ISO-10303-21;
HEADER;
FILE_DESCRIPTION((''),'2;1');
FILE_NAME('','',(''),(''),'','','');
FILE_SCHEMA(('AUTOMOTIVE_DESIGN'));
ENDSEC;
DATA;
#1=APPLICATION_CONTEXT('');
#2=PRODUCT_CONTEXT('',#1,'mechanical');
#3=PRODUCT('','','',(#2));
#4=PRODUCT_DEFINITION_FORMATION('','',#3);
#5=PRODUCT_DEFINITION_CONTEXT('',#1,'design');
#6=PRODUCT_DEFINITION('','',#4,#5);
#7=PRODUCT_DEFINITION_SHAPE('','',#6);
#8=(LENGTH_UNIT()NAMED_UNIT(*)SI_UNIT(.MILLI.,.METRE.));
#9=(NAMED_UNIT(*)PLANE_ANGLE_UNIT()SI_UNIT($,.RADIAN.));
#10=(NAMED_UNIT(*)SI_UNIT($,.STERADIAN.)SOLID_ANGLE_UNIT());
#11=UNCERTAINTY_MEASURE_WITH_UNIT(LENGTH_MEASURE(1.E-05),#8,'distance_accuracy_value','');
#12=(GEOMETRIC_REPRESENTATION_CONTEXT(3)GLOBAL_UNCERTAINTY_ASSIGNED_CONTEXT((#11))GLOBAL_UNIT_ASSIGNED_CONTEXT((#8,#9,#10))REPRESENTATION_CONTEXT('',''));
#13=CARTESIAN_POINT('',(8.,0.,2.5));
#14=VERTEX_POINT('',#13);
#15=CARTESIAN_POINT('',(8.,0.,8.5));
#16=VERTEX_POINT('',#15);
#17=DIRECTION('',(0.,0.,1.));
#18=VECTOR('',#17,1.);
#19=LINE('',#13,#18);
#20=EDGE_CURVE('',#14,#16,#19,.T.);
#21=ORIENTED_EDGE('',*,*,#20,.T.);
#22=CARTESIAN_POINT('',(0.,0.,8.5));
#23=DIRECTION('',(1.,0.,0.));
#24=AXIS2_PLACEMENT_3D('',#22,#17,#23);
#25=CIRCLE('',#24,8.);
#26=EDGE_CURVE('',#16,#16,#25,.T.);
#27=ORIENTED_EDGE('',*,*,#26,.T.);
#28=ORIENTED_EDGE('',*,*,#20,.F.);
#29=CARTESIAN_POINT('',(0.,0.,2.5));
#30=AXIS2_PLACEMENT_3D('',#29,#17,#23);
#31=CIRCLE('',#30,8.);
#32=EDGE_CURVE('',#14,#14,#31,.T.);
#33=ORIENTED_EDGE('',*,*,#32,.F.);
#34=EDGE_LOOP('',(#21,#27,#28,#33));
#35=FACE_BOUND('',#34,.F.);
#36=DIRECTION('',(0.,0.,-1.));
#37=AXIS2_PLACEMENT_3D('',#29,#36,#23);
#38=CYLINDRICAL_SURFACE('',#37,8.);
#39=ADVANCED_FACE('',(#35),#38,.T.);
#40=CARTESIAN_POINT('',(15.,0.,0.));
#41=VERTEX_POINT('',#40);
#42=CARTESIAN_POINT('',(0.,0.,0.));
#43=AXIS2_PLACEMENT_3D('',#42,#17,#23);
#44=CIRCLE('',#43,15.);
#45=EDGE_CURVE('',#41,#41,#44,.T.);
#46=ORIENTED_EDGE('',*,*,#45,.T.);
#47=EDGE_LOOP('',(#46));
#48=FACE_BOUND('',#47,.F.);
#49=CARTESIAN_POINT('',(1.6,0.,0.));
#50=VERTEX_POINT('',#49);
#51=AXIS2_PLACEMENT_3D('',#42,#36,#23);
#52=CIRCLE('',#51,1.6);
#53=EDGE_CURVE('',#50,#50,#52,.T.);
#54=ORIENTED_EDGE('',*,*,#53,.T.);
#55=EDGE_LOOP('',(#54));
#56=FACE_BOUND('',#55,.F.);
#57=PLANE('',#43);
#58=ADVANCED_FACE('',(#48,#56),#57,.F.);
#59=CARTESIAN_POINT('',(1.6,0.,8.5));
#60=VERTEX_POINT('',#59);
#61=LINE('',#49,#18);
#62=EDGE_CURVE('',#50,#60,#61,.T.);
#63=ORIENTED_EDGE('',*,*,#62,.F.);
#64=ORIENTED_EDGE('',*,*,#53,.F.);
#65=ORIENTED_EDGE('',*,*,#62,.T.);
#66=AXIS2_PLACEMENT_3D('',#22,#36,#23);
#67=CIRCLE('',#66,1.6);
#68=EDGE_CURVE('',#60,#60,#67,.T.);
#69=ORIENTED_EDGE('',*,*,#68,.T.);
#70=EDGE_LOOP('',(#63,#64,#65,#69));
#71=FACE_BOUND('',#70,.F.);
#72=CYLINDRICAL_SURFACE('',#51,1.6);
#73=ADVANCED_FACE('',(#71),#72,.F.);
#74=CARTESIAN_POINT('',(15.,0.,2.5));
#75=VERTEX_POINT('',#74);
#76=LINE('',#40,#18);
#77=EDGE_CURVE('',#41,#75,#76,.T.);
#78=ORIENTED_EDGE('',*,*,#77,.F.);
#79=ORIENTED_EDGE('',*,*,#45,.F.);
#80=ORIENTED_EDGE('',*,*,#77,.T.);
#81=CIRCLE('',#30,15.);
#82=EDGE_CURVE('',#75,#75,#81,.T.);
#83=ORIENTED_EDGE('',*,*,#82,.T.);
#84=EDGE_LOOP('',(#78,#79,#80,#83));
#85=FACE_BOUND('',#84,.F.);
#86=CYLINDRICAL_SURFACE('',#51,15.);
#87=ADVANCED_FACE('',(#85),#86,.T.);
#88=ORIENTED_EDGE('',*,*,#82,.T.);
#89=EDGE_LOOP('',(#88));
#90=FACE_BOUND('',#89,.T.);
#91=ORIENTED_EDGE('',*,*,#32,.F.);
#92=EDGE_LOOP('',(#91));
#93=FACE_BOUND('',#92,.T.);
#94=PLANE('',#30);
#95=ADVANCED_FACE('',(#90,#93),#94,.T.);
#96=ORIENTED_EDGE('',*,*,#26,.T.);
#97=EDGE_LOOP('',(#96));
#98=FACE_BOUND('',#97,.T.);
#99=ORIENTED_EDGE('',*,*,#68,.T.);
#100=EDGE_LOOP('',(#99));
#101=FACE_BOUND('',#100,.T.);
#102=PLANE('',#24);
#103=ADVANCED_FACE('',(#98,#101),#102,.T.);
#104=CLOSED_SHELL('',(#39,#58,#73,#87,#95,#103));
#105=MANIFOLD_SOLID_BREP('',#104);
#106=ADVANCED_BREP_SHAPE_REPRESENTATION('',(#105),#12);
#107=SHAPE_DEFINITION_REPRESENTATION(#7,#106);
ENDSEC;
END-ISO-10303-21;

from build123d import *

# Parameters (mm, degrees)
SKETCH_R     = 15
PAD_DEPTH    = 2.5
SKETCH001_R  = 8
PAD001_DEPTH = 6
SKETCH003_R  = 1.6
POCKET_DEPTH = 9


with BuildPart() as part:
    # Sketch → Pad (new body)
    with BuildSketch(Plane.XY):
        Circle(SKETCH_R)
    extrude(amount=PAD_DEPTH)

    # Sketch001 (on Face3 of Pad) → Pad001 (join)
    with BuildSketch(Plane.XY.offset(2.5)):
        Circle(SKETCH001_R)
    extrude(amount=PAD001_DEPTH)

    # Sketch003 (on Face2 of Pad001) → Pocket (cut)
    with BuildSketch(Plane(origin=(0, 0, 0), x_dir=(1, 0, 0), z_dir=(0, 0, -1))):
        Circle(SKETCH003_R)
    extrude(amount=-POCKET_DEPTH, mode=Mode.SUBTRACT)


solid = part.part
